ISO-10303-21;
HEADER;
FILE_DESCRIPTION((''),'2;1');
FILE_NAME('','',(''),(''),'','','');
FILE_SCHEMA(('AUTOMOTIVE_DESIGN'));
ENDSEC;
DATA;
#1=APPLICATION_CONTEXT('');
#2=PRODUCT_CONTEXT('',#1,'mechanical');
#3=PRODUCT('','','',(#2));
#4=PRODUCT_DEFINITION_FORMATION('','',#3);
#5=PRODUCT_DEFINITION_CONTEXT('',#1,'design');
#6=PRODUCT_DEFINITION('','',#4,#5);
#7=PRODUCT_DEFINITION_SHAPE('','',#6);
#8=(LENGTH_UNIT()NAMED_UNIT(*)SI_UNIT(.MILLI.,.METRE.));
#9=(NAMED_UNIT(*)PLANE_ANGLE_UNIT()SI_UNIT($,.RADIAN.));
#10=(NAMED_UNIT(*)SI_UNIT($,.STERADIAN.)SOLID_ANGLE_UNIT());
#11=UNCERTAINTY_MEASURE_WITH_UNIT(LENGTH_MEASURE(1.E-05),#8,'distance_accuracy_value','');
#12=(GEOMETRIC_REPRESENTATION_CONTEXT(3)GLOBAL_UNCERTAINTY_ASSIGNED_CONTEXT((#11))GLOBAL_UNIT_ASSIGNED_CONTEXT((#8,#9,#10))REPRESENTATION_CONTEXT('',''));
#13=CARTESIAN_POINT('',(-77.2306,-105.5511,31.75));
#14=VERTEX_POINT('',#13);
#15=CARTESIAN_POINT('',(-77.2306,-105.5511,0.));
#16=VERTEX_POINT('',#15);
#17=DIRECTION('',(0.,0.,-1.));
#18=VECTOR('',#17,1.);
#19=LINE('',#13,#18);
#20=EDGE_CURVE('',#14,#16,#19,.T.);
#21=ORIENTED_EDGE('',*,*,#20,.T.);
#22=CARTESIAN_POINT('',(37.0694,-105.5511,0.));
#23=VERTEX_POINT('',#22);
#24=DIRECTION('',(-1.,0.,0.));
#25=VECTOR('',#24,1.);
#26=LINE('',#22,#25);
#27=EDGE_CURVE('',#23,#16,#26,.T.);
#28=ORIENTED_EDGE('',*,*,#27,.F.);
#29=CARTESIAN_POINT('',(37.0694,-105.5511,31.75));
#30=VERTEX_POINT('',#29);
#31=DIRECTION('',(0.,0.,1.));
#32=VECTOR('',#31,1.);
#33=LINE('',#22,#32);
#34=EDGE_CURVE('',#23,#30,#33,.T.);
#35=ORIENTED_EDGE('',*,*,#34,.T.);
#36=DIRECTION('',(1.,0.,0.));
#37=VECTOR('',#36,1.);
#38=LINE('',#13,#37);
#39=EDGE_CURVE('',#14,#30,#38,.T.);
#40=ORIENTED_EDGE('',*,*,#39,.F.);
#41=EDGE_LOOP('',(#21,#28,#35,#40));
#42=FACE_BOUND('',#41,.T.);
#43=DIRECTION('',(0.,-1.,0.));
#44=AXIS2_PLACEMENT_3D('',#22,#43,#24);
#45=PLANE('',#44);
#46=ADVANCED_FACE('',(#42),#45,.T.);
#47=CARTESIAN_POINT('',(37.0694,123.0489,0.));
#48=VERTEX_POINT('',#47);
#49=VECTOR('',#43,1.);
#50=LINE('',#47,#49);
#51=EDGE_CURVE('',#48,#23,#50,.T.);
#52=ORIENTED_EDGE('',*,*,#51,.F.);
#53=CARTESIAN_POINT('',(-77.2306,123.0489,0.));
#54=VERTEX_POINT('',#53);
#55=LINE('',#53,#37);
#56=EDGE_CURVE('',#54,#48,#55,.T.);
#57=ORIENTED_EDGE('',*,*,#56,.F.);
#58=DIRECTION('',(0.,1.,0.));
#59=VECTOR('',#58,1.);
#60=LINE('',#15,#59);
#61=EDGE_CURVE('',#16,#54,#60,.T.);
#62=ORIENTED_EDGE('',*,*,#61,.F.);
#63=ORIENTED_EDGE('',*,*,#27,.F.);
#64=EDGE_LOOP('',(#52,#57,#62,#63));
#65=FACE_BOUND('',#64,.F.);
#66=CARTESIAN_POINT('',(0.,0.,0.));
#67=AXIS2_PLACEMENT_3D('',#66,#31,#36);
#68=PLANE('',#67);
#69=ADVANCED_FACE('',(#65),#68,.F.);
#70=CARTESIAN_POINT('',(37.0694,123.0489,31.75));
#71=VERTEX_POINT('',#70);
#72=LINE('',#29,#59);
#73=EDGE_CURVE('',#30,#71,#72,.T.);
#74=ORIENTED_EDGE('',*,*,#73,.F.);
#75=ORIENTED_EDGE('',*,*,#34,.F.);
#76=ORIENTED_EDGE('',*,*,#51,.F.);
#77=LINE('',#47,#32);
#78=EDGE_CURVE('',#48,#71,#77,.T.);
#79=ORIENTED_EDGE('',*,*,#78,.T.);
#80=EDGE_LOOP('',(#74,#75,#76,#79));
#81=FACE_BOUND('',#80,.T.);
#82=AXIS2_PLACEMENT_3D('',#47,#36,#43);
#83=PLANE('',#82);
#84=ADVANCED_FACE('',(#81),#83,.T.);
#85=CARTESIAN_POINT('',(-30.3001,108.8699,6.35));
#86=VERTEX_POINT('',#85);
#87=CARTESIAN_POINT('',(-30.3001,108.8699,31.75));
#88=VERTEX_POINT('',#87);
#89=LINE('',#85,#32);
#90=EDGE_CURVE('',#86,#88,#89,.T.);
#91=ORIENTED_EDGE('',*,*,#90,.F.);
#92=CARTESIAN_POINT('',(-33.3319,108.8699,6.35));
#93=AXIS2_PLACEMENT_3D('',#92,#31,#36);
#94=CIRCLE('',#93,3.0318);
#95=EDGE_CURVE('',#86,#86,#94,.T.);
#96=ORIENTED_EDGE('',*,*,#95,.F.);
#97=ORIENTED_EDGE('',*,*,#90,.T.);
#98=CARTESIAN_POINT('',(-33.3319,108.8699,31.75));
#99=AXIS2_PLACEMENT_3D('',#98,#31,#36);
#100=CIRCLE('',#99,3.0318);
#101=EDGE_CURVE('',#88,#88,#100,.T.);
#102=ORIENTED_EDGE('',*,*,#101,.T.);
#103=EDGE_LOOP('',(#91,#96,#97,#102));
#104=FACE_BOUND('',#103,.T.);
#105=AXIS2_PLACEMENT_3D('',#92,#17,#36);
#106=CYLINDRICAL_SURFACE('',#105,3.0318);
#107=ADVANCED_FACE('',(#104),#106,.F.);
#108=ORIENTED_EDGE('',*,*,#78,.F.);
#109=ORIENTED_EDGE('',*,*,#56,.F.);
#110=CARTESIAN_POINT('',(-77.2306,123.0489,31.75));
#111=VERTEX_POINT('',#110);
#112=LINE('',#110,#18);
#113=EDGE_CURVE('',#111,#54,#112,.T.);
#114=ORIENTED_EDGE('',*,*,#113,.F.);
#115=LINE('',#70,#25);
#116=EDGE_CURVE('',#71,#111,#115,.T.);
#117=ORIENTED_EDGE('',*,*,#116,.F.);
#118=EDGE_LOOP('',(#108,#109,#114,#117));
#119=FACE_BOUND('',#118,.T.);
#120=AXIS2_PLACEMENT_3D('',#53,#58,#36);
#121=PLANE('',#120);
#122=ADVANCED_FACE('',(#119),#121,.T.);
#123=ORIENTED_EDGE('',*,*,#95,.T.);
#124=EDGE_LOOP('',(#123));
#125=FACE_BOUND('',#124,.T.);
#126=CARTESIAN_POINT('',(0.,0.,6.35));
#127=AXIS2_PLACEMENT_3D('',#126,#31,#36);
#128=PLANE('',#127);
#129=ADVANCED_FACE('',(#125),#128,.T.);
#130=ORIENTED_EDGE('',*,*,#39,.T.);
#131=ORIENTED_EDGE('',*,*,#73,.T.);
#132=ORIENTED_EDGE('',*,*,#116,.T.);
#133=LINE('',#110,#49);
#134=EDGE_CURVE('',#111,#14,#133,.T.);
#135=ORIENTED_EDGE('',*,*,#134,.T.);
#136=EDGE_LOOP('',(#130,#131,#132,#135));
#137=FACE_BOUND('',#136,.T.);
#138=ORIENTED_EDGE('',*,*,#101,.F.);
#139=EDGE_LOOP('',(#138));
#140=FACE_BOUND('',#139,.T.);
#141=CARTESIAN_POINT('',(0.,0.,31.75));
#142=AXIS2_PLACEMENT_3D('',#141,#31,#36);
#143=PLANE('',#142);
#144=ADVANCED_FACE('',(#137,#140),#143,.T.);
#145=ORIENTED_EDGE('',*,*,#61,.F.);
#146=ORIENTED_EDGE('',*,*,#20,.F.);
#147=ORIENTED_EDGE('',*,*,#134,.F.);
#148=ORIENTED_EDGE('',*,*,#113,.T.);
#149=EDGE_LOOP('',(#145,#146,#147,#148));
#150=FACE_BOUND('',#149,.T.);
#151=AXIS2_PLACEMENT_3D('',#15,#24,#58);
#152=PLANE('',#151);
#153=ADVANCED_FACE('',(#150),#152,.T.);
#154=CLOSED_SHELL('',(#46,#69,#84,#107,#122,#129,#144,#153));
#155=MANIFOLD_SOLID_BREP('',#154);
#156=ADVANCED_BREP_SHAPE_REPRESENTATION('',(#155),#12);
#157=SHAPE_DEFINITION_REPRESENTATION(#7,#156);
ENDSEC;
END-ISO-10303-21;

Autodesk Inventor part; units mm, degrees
ref_plane "YZ Plane" through (0, 0, 0) normal (1, 0, 0) x (0, 1, 0)
ref_plane "XZ Plane" through (0, 0, 0) normal (0, 1, 0) x (-1, 0, 0)
ref_plane "XY Plane" through (0, 0, 0) normal (0, 0, 1) x (1, 0, 0)
sketch "Sketch1" plane through (0, 0, 0) normal (0, 0, 1) x (1, 0, 0)
  line L0 (37.0694, -105.5511) -> (-77.2306, -105.5511)
  line L1 (-77.2306, -105.5511) -> (-77.2306, 123.0489)
  line L2 (-77.2306, 123.0489) -> (37.0694, 123.0489)
  line L3 (37.0694, 123.0489) -> (37.0694, -105.5511)
  line L4 (37.0694, -105.5511) -> (-77.2306, 123.0489) construction
  line L5 (-77.2306, -105.5511) -> (37.0694, 123.0489) construction
  point P0 (0, 0)
  point P1 (-20.0806, 8.7489)
  dimension "d0" = 114.3
  dimension "d1" = 228.6
extrude "Extrusion1" add sketch "Sketch1" along normal blind 6.35
sketch "Sketch2" plane through (0, 0, 6.35) normal (0, 0, 1) x (1, 0, 0)
  line L0 (-77.2306, -105.5511) -> (37.0694, -105.5511) projected
  line L1 (37.0694, -105.5511) -> (37.0694, 123.0489) projected
  line L2 (37.0694, 123.0489) -> (-77.2306, 123.0489) projected
  line L3 (-77.2306, 123.0489) -> (-77.2306, -105.5511) projected
  circle A0 centre (-33.3319, 108.8699) radius 3.0318
  point P0 (0, 0)
extrude "Extrusion2" add sketch "Sketch2" along normal blind 25.4
properties part number "bottom2 battery holder"
